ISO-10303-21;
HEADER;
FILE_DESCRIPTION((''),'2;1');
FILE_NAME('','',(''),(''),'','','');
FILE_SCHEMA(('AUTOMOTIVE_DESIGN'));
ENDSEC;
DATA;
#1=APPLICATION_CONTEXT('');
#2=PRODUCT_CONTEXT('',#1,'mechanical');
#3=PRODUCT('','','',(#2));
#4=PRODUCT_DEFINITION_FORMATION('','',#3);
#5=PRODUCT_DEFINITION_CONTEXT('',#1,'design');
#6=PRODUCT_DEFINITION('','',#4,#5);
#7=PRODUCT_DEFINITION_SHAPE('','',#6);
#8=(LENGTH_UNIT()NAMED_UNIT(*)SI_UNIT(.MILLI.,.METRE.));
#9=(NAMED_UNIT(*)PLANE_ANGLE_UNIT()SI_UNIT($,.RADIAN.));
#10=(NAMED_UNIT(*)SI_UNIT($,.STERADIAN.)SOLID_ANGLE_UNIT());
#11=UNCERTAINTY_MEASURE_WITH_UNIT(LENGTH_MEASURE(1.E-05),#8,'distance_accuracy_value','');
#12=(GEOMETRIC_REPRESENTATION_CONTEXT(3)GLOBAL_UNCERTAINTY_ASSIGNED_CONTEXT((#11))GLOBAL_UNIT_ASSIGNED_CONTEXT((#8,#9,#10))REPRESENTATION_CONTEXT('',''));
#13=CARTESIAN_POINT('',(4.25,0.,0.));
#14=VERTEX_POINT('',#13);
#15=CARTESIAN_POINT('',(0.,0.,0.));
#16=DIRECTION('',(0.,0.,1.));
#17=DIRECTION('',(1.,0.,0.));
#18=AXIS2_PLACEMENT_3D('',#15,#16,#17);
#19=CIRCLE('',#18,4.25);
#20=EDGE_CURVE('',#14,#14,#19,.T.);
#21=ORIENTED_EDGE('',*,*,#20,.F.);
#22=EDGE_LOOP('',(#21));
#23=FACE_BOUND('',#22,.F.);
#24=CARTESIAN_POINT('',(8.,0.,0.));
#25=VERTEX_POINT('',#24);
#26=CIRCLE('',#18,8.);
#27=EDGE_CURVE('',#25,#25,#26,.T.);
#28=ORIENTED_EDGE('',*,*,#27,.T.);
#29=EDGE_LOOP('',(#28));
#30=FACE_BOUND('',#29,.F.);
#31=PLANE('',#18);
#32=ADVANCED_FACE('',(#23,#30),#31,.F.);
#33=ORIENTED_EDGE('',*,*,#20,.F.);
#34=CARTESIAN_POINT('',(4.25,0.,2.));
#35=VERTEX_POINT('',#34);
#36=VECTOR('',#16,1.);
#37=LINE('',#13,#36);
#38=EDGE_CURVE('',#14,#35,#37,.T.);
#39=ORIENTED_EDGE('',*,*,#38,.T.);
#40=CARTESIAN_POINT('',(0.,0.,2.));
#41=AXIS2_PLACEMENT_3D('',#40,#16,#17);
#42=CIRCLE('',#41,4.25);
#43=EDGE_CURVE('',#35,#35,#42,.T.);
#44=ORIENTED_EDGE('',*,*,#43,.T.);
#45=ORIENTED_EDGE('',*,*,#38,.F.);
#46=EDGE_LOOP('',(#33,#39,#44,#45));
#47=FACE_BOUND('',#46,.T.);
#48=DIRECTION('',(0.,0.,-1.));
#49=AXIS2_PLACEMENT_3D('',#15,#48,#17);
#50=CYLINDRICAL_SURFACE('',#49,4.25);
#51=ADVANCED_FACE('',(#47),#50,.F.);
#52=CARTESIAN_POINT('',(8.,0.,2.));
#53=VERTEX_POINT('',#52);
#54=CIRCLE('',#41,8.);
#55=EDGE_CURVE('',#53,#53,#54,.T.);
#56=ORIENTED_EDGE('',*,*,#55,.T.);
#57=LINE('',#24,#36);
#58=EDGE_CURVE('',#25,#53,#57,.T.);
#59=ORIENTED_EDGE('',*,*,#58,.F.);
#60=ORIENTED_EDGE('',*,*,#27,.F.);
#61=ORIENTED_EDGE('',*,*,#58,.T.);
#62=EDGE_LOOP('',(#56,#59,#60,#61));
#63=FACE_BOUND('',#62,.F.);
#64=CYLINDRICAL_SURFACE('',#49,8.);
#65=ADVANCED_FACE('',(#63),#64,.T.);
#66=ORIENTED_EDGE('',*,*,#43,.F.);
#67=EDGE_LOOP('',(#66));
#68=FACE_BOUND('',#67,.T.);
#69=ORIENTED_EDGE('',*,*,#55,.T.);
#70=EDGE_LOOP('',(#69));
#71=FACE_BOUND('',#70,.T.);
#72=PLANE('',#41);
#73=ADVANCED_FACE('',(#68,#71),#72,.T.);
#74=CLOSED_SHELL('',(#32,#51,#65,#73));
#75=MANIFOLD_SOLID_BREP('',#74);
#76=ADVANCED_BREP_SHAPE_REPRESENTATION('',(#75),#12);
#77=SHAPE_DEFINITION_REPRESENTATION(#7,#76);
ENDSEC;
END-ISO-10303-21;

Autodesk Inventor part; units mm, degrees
ref_plane "YZ Plane" through (0, 0, 0) normal (1, 0, 0) x (0, 1, 0)
ref_plane "XZ Plane" through (0, 0, 0) normal (0, 1, 0) x (-1, 0, 0)
ref_plane "XY Plane" through (0, 0, 0) normal (0, 0, 1) x (1, 0, 0)
sketch "Sketch1" plane through (0, 0, 0) normal (0, 0, 1) x (1, 0, 0)
  circle A0 centre (0, 0) radius 8
  circle A1 centre (0, 0) radius 4.25
  dimension "d0" = 16
  dimension "d1" = 8.5
extrude "Extrusion1" add sketch "Sketch1" along normal blind 2
